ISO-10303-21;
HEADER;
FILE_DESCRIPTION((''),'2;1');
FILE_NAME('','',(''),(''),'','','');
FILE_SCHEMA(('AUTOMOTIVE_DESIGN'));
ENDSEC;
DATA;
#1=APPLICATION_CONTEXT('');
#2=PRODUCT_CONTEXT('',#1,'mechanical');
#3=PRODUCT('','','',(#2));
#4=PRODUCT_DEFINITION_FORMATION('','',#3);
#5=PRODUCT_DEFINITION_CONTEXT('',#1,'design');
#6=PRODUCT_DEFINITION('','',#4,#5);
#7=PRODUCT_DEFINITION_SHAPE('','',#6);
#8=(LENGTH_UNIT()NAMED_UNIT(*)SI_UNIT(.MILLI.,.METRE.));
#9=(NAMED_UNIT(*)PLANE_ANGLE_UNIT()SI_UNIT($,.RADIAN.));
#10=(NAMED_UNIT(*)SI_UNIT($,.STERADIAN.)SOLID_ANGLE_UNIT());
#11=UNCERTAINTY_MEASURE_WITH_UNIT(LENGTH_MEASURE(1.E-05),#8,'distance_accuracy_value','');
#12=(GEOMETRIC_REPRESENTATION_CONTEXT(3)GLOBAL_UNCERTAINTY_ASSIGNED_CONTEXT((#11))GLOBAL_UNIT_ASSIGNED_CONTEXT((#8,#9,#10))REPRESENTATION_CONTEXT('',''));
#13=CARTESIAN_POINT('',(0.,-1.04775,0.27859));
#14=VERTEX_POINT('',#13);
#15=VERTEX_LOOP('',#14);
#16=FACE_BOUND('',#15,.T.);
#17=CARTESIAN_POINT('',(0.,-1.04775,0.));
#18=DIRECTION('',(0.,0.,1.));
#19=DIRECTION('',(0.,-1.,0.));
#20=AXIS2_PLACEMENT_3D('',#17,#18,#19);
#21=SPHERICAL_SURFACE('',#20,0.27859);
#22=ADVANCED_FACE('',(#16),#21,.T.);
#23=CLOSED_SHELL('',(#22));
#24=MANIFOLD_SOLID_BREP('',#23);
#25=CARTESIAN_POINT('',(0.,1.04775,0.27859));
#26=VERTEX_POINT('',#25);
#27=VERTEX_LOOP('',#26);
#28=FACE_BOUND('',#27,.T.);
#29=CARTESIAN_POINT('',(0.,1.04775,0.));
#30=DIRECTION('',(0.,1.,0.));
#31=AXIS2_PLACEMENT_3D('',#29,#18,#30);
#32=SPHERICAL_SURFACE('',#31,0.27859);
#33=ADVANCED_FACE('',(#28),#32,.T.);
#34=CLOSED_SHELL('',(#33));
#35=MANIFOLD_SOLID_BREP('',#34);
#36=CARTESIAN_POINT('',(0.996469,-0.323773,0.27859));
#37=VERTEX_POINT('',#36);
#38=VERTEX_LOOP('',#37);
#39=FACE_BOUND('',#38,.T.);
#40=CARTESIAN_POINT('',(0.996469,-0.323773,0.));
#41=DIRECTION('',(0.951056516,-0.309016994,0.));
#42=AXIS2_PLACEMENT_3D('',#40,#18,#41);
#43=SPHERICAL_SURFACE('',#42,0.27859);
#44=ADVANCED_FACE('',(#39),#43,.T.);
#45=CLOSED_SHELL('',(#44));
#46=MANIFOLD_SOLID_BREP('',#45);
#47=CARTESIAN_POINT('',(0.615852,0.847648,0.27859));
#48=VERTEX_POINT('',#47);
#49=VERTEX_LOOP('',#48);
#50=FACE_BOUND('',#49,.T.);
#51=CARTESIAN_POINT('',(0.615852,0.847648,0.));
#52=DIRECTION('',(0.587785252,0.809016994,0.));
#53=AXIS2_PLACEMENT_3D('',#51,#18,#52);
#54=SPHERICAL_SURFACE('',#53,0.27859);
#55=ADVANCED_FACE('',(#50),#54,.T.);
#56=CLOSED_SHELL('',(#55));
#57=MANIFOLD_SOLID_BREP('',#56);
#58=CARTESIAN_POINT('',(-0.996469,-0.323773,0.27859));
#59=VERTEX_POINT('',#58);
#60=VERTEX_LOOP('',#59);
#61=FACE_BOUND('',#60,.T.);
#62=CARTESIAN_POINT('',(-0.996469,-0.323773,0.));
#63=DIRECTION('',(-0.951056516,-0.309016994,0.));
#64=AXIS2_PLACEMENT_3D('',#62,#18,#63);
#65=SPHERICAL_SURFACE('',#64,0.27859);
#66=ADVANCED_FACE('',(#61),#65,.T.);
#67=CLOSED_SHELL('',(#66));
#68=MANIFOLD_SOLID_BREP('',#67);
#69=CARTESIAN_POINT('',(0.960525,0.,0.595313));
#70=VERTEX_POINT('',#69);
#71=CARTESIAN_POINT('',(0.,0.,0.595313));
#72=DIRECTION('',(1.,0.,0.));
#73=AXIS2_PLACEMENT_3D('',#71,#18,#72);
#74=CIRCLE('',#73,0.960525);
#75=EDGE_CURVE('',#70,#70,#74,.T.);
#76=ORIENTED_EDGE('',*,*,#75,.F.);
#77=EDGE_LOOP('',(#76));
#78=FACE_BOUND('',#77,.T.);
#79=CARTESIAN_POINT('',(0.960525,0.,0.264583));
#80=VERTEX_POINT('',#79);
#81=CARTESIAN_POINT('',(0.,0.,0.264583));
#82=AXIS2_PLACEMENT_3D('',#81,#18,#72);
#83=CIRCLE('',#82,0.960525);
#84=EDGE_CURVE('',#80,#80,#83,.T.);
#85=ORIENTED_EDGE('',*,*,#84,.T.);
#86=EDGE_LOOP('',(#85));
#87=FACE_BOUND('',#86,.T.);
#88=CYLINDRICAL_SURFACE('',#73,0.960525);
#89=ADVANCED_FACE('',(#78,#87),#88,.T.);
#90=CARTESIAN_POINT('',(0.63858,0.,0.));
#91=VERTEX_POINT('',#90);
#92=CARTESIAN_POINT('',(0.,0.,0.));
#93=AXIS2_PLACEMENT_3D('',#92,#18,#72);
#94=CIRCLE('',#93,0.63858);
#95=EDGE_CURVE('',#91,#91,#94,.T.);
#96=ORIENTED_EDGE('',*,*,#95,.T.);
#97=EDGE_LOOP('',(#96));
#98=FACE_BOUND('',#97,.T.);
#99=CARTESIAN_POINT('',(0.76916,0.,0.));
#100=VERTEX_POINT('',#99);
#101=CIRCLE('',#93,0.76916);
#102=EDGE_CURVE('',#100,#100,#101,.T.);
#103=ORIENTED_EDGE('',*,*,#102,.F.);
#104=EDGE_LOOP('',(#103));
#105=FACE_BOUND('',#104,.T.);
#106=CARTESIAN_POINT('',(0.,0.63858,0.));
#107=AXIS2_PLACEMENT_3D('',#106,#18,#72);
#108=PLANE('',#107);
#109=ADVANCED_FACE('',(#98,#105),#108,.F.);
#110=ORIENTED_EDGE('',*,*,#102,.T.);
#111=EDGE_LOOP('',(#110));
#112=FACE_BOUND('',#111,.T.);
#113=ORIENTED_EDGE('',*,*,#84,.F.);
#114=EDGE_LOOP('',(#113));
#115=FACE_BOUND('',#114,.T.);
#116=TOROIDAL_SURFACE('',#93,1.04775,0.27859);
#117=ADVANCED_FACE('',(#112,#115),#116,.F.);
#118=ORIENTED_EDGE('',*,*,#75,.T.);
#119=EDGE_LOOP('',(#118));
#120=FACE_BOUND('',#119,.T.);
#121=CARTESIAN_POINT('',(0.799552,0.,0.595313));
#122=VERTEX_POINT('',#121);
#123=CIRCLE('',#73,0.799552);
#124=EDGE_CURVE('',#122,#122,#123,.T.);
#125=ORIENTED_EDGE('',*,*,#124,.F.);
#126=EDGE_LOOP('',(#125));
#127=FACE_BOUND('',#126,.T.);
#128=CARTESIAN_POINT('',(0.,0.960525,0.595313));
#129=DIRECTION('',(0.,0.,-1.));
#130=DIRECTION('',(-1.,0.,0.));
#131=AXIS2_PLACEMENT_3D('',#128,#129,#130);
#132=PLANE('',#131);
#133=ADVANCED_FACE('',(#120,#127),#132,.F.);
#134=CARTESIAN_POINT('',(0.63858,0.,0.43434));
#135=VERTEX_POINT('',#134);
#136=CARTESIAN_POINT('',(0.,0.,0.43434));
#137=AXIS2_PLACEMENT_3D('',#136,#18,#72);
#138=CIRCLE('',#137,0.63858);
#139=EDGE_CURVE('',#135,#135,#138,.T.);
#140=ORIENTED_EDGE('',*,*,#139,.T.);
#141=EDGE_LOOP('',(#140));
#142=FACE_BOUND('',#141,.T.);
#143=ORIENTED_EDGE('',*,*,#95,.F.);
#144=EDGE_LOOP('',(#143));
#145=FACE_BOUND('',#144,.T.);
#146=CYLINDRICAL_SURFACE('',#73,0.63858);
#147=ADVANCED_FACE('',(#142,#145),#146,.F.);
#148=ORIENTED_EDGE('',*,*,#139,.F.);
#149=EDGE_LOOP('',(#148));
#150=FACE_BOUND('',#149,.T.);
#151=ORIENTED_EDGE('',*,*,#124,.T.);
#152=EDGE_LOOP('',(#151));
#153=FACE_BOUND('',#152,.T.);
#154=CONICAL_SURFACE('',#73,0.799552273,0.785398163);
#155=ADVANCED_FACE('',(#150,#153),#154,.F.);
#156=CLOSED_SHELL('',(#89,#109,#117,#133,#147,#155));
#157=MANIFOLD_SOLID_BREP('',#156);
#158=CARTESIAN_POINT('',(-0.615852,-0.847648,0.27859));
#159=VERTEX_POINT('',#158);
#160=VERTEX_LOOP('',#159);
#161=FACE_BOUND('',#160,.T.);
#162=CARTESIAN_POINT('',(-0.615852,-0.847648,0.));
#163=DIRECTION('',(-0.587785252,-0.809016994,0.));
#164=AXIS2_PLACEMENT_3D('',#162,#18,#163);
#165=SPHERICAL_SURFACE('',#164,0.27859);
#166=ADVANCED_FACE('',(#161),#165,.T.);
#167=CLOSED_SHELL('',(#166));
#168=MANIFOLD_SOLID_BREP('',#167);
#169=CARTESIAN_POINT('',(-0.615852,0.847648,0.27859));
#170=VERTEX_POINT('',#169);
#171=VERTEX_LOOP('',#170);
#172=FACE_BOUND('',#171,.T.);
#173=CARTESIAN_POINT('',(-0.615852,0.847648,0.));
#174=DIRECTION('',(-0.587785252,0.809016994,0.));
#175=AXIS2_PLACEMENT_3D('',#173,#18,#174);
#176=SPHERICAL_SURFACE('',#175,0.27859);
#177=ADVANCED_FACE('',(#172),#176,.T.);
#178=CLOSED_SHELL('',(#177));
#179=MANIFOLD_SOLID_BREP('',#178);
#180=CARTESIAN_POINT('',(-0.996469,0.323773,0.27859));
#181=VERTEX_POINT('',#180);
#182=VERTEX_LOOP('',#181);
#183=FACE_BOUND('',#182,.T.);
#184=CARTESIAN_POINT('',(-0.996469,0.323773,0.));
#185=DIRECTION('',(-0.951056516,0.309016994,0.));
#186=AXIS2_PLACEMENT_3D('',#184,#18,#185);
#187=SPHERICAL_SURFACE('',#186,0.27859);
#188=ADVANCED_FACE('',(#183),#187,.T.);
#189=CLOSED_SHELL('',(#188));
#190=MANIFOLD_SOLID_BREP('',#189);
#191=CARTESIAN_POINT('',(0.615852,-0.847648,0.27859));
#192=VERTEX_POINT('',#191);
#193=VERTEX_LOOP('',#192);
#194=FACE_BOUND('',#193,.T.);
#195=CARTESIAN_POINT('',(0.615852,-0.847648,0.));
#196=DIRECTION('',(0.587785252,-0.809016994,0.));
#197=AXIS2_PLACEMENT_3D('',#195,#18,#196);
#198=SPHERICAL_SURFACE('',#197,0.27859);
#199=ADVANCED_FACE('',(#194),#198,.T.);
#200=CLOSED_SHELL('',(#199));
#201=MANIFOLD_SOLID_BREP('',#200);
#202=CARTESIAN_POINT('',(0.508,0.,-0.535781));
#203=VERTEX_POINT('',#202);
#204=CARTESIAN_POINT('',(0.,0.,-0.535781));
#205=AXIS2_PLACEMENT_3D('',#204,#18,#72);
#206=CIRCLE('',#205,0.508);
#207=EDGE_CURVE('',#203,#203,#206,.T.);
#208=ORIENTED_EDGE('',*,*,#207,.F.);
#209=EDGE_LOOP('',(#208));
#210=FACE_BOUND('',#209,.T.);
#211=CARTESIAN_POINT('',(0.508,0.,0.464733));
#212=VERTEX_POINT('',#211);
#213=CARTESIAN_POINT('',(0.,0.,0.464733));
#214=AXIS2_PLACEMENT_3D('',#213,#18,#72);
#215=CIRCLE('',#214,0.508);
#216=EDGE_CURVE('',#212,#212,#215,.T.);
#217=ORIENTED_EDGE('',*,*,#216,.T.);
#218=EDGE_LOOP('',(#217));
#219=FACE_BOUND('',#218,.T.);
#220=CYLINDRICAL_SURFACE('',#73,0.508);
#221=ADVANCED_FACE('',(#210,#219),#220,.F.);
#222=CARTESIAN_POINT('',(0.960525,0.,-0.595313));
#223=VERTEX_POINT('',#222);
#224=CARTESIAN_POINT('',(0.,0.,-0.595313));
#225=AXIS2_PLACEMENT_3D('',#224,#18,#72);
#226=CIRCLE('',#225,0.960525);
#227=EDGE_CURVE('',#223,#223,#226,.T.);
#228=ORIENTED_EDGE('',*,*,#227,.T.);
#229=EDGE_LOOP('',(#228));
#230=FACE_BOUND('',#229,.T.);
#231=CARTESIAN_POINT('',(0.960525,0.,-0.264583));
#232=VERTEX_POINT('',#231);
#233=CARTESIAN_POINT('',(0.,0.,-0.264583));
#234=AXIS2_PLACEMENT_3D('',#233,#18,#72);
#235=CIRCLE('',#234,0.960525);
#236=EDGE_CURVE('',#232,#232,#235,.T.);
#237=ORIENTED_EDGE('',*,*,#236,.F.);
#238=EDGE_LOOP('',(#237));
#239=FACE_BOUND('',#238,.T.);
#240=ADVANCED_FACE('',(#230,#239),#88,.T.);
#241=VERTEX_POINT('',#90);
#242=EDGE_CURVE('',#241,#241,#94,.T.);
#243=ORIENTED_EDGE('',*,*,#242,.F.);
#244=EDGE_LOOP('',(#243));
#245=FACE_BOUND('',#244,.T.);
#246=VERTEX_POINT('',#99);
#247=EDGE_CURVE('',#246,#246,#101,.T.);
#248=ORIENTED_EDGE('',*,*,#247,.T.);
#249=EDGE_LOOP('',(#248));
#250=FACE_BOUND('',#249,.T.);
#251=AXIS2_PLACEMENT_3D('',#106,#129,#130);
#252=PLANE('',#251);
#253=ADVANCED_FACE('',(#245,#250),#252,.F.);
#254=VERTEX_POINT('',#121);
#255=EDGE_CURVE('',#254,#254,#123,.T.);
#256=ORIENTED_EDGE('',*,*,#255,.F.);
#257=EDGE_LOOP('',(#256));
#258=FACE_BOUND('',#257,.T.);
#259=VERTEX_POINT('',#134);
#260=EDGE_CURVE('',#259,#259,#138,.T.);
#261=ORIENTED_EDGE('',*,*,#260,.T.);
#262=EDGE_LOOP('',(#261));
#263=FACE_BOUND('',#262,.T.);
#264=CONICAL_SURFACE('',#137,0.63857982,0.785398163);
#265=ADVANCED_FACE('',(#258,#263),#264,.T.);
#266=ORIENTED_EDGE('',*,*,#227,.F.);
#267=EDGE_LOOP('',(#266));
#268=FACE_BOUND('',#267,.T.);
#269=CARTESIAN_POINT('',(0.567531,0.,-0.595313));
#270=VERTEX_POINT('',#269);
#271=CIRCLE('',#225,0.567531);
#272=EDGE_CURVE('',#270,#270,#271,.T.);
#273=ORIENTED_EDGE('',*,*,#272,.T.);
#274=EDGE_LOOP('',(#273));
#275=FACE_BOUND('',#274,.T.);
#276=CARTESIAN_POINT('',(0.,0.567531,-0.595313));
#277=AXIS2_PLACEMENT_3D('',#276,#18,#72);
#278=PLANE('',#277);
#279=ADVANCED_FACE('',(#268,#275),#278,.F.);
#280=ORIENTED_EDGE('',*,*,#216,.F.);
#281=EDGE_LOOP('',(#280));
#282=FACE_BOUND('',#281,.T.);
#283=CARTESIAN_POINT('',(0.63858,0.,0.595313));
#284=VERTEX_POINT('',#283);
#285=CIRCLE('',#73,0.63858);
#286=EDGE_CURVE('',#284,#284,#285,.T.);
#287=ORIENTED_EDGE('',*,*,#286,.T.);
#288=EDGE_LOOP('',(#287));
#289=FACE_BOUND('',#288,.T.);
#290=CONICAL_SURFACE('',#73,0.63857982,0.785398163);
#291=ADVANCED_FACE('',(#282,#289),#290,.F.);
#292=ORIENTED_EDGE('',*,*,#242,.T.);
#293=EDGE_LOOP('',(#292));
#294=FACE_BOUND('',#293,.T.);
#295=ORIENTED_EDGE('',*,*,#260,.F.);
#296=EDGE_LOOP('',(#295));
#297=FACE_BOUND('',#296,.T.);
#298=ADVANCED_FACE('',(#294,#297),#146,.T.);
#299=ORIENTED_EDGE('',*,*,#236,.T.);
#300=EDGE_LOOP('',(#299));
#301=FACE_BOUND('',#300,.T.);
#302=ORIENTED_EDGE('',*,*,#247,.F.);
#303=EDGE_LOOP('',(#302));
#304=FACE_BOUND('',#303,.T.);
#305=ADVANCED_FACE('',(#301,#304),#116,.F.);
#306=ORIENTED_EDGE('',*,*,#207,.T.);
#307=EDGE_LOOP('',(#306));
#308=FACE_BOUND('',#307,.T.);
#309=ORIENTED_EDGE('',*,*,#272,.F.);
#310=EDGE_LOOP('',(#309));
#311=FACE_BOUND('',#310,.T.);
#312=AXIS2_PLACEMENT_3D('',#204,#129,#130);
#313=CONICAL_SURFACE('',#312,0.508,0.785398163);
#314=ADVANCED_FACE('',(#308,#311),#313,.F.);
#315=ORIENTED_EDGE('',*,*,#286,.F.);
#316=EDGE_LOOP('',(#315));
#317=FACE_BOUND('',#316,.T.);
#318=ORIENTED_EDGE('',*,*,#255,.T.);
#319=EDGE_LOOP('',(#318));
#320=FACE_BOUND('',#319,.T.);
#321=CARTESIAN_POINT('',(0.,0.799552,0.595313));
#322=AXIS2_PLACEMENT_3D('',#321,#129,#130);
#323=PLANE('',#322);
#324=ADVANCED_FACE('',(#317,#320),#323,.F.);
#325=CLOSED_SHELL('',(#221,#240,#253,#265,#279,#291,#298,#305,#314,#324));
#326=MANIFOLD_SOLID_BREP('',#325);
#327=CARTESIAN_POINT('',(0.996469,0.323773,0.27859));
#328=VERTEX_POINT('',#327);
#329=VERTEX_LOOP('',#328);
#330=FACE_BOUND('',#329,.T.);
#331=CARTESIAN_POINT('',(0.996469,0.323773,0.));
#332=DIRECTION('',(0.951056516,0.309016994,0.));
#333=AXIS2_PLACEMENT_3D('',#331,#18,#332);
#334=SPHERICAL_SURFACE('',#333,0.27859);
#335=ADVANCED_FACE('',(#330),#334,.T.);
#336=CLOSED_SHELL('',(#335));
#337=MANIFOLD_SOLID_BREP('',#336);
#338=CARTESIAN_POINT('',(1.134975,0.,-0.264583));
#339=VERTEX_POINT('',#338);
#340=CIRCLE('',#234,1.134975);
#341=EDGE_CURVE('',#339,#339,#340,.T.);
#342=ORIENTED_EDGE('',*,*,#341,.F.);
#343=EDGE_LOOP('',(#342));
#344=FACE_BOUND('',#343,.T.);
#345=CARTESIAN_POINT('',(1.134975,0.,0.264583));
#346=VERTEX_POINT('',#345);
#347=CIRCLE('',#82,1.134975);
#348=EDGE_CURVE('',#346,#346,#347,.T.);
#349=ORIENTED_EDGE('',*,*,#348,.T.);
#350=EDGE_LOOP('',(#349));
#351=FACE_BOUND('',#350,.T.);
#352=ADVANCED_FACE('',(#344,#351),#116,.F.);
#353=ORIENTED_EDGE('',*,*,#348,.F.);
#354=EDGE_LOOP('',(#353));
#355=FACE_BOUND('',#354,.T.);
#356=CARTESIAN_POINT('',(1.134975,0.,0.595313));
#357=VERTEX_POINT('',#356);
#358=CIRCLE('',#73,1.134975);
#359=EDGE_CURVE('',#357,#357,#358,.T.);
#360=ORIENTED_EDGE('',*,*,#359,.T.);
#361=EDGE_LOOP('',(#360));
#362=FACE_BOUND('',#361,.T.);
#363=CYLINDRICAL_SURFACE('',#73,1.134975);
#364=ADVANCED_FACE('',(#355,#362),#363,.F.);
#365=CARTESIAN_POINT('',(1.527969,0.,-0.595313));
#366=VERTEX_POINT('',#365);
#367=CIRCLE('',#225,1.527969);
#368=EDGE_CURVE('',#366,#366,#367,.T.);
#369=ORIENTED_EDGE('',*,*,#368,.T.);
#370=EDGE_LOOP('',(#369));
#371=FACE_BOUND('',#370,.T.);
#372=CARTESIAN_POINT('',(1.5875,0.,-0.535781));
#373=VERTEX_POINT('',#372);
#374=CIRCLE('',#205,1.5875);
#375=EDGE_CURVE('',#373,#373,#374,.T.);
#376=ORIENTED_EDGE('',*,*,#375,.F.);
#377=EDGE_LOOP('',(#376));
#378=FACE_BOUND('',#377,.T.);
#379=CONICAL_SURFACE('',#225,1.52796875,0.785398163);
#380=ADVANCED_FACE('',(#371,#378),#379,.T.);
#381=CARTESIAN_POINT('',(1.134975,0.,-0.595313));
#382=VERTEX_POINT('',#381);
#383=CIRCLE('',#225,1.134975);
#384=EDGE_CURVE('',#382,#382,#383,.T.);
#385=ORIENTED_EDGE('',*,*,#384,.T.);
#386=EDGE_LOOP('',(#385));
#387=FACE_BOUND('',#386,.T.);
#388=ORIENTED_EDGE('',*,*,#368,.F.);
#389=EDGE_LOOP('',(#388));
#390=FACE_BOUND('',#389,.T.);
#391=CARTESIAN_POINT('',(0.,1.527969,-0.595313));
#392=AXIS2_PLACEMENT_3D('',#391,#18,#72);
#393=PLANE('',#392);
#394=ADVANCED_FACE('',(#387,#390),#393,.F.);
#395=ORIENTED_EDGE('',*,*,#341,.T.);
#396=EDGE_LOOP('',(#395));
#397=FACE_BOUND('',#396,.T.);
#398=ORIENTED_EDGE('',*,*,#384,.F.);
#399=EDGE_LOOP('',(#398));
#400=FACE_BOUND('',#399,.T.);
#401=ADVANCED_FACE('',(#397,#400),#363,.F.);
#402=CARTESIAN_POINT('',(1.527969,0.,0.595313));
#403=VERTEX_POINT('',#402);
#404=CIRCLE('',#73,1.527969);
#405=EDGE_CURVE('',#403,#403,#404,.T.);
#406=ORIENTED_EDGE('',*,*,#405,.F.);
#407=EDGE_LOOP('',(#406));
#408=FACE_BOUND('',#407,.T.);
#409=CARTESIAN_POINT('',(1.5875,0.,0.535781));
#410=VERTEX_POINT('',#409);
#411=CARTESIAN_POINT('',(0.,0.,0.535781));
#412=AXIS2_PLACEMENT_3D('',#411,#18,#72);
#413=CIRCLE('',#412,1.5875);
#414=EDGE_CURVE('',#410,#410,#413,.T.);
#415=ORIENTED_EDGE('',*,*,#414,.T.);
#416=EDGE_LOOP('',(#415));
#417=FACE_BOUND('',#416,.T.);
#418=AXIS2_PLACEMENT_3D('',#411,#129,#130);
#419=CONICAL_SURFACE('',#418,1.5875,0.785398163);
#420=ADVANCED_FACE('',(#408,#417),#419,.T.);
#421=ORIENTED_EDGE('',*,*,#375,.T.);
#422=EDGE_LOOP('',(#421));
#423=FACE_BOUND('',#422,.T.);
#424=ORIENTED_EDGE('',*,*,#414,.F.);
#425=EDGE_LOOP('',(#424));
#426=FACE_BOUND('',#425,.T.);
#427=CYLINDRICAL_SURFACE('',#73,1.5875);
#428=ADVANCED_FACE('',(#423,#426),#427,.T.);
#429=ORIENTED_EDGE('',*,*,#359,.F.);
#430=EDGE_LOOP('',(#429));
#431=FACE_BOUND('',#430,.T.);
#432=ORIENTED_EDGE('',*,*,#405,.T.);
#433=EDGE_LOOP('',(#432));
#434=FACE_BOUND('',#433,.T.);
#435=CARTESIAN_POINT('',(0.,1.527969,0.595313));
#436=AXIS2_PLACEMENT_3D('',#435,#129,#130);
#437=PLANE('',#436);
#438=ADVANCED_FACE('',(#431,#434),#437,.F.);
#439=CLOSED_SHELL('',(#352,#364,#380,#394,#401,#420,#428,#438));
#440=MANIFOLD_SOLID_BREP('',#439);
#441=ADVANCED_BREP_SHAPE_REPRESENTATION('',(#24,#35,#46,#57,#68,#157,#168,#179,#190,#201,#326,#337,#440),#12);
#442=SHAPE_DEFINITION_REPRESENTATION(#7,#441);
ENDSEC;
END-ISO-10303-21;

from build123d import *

# Parameters (mm, degrees)
CIRPATTERN1_COUNT = 10


with BuildPart() as part:
    # Sketch1 → Revolve1 (revolve)
    with BuildSketch(Plane(origin=(0, 0, 0), x_dir=(0, 0, -1), z_dir=(1, 0, 0))):
        with BuildLine():
            Line((0.53578125, 1.5875), (-0.53578125, 1.5875))
            Line((-0.53578125, 1.5875), (-0.5953125, 1.52796875))
            Line((-0.5953125, 1.52796875), (-0.5953125, 1.134975275))
            Line((-0.5953125, 1.134975275), (-0.264583333, 1.134975275))
            ThreePointArc((-0.264583333, 1.134975275), (0, 1.32634036), (0.264583333, 1.134975275))
            Line((0.264583333, 1.134975275), (0.5953125, 1.134975275))
            Line((0.5953125, 1.134975275), (0.5953125, 1.52796875))
            Line((0.5953125, 1.52796875), (0.53578125, 1.5875))
        make_face()
    revolve(axis=Axis((0, 0, 0.5953125), (0, 0, -1)))


with BuildPart() as body_2:
    # Sketch2 → Revolve2 (revolve)
    with BuildSketch(Plane(origin=(0, 0, 0), x_dir=(0, 0, -1), z_dir=(1, 0, 0))):
        with BuildLine():
            Line((-0.5953125, 0.960524725), (-0.264583333, 0.960524725))
            ThreePointArc((-0.264583333, 0.960524725), (-0.16326737, 0.822014857), (0, 0.76915964))
            Line((0, 0.76915964), (0, 0.63857982))
            Line((0, 0.63857982), (-0.434340047, 0.63857982))
            Line((-0.434340047, 0.63857982), (-0.5953125, 0.799552273))
            Line((-0.5953125, 0.799552273), (-0.5953125, 0.960524725))
        make_face()
    revolve(axis=Axis((0, 0, 0.5953125), (0, 0, -1)))


with BuildPart() as body_3:
    # Sketch3 → Revolve3 (revolve)
    with BuildSketch(Plane(origin=(0, 0, 0), x_dir=(0, 0, -1), z_dir=(1, 0, 0))):
        with BuildLine():
            Line((-0.5953125, 0.799552273), (-0.434340047, 0.63857982))
            Line((-0.434340047, 0.63857982), (0, 0.63857982))
            Line((0, 0.63857982), (0, 0.76915964))
            ThreePointArc((0, 0.76915964), (0.16326737, 0.822014857), (0.264583333, 0.960524725))
            Line((0.264583333, 0.960524725), (0.5953125, 0.960524725))
            Line((0.5953125, 0.960524725), (0.5953125, 0.56753125))
            Line((0.5953125, 0.56753125), (0.53578125, 0.508))
            Line((0.53578125, 0.508), (-0.46473268, 0.508))
            Line((-0.46473268, 0.508), (-0.5953125, 0.63857982))
            Line((-0.5953125, 0.63857982), (-0.5953125, 0.799552273))
        make_face()
    revolve(axis=Axis((0, 0, 0.5953125), (0, 0, -1)))


with BuildPart() as body_4:
    # Sketch4 → Revolve4 (revolve)
    with BuildSketch(Plane(origin=(0, 0, 0), x_dir=(0, 0, -1), z_dir=(1, 0, 0))):
        with BuildLine():
            Line((-0.27859036, 1.04775), (0.27859036, 1.04775))
            ThreePointArc((0.27859036, 1.04775), (0, 1.32634036), (-0.27859036, 1.04775))
        make_face()
    revolve(axis=Axis((0, 1.04775, 0.27859036), (0, 0, -1)))


with BuildPart() as cirpattern1_1:
    # CirPattern1: pattern copy
    add(body_4.part.rotate(Axis((0, 0, -0.5953125), (0, 0, 1)), 1 * 360 / CIRPATTERN1_COUNT))


with BuildPart() as cirpattern1_2:
    # CirPattern1: pattern copy
    add(body_4.part.rotate(Axis((0, 0, -0.5953125), (0, 0, 1)), 2 * 360 / CIRPATTERN1_COUNT))


with BuildPart() as cirpattern1_3:
    # CirPattern1: pattern copy
    add(body_4.part.rotate(Axis((0, 0, -0.5953125), (0, 0, 1)), 3 * 360 / CIRPATTERN1_COUNT))


with BuildPart() as cirpattern1_4:
    # CirPattern1: pattern copy
    add(body_4.part.rotate(Axis((0, 0, -0.5953125), (0, 0, 1)), 4 * 360 / CIRPATTERN1_COUNT))


with BuildPart() as cirpattern1_5:
    # CirPattern1: pattern copy
    add(body_4.part.rotate(Axis((0, 0, -0.5953125), (0, 0, 1)), 5 * 360 / CIRPATTERN1_COUNT))


with BuildPart() as cirpattern1_6:
    # CirPattern1: pattern copy
    add(body_4.part.rotate(Axis((0, 0, -0.5953125), (0, 0, 1)), 6 * 360 / CIRPATTERN1_COUNT))


with BuildPart() as cirpattern1_7:
    # CirPattern1: pattern copy
    add(body_4.part.rotate(Axis((0, 0, -0.5953125), (0, 0, 1)), 7 * 360 / CIRPATTERN1_COUNT))


with BuildPart() as cirpattern1_8:
    # CirPattern1: pattern copy
    add(body_4.part.rotate(Axis((0, 0, -0.5953125), (0, 0, 1)), 8 * 360 / CIRPATTERN1_COUNT))


with BuildPart() as cirpattern1_9:
    # CirPattern1: pattern copy
    add(body_4.part.rotate(Axis((0, 0, -0.5953125), (0, 0, 1)), 9 * 360 / CIRPATTERN1_COUNT))


solid = Compound([part.part, body_2.part, body_3.part, body_4.part, cirpattern1_1.part, cirpattern1_2.part, cirpattern1_3.part, cirpattern1_4.part, cirpattern1_5.part, cirpattern1_6.part, cirpattern1_7.part, cirpattern1_8.part, cirpattern1_9.part])
